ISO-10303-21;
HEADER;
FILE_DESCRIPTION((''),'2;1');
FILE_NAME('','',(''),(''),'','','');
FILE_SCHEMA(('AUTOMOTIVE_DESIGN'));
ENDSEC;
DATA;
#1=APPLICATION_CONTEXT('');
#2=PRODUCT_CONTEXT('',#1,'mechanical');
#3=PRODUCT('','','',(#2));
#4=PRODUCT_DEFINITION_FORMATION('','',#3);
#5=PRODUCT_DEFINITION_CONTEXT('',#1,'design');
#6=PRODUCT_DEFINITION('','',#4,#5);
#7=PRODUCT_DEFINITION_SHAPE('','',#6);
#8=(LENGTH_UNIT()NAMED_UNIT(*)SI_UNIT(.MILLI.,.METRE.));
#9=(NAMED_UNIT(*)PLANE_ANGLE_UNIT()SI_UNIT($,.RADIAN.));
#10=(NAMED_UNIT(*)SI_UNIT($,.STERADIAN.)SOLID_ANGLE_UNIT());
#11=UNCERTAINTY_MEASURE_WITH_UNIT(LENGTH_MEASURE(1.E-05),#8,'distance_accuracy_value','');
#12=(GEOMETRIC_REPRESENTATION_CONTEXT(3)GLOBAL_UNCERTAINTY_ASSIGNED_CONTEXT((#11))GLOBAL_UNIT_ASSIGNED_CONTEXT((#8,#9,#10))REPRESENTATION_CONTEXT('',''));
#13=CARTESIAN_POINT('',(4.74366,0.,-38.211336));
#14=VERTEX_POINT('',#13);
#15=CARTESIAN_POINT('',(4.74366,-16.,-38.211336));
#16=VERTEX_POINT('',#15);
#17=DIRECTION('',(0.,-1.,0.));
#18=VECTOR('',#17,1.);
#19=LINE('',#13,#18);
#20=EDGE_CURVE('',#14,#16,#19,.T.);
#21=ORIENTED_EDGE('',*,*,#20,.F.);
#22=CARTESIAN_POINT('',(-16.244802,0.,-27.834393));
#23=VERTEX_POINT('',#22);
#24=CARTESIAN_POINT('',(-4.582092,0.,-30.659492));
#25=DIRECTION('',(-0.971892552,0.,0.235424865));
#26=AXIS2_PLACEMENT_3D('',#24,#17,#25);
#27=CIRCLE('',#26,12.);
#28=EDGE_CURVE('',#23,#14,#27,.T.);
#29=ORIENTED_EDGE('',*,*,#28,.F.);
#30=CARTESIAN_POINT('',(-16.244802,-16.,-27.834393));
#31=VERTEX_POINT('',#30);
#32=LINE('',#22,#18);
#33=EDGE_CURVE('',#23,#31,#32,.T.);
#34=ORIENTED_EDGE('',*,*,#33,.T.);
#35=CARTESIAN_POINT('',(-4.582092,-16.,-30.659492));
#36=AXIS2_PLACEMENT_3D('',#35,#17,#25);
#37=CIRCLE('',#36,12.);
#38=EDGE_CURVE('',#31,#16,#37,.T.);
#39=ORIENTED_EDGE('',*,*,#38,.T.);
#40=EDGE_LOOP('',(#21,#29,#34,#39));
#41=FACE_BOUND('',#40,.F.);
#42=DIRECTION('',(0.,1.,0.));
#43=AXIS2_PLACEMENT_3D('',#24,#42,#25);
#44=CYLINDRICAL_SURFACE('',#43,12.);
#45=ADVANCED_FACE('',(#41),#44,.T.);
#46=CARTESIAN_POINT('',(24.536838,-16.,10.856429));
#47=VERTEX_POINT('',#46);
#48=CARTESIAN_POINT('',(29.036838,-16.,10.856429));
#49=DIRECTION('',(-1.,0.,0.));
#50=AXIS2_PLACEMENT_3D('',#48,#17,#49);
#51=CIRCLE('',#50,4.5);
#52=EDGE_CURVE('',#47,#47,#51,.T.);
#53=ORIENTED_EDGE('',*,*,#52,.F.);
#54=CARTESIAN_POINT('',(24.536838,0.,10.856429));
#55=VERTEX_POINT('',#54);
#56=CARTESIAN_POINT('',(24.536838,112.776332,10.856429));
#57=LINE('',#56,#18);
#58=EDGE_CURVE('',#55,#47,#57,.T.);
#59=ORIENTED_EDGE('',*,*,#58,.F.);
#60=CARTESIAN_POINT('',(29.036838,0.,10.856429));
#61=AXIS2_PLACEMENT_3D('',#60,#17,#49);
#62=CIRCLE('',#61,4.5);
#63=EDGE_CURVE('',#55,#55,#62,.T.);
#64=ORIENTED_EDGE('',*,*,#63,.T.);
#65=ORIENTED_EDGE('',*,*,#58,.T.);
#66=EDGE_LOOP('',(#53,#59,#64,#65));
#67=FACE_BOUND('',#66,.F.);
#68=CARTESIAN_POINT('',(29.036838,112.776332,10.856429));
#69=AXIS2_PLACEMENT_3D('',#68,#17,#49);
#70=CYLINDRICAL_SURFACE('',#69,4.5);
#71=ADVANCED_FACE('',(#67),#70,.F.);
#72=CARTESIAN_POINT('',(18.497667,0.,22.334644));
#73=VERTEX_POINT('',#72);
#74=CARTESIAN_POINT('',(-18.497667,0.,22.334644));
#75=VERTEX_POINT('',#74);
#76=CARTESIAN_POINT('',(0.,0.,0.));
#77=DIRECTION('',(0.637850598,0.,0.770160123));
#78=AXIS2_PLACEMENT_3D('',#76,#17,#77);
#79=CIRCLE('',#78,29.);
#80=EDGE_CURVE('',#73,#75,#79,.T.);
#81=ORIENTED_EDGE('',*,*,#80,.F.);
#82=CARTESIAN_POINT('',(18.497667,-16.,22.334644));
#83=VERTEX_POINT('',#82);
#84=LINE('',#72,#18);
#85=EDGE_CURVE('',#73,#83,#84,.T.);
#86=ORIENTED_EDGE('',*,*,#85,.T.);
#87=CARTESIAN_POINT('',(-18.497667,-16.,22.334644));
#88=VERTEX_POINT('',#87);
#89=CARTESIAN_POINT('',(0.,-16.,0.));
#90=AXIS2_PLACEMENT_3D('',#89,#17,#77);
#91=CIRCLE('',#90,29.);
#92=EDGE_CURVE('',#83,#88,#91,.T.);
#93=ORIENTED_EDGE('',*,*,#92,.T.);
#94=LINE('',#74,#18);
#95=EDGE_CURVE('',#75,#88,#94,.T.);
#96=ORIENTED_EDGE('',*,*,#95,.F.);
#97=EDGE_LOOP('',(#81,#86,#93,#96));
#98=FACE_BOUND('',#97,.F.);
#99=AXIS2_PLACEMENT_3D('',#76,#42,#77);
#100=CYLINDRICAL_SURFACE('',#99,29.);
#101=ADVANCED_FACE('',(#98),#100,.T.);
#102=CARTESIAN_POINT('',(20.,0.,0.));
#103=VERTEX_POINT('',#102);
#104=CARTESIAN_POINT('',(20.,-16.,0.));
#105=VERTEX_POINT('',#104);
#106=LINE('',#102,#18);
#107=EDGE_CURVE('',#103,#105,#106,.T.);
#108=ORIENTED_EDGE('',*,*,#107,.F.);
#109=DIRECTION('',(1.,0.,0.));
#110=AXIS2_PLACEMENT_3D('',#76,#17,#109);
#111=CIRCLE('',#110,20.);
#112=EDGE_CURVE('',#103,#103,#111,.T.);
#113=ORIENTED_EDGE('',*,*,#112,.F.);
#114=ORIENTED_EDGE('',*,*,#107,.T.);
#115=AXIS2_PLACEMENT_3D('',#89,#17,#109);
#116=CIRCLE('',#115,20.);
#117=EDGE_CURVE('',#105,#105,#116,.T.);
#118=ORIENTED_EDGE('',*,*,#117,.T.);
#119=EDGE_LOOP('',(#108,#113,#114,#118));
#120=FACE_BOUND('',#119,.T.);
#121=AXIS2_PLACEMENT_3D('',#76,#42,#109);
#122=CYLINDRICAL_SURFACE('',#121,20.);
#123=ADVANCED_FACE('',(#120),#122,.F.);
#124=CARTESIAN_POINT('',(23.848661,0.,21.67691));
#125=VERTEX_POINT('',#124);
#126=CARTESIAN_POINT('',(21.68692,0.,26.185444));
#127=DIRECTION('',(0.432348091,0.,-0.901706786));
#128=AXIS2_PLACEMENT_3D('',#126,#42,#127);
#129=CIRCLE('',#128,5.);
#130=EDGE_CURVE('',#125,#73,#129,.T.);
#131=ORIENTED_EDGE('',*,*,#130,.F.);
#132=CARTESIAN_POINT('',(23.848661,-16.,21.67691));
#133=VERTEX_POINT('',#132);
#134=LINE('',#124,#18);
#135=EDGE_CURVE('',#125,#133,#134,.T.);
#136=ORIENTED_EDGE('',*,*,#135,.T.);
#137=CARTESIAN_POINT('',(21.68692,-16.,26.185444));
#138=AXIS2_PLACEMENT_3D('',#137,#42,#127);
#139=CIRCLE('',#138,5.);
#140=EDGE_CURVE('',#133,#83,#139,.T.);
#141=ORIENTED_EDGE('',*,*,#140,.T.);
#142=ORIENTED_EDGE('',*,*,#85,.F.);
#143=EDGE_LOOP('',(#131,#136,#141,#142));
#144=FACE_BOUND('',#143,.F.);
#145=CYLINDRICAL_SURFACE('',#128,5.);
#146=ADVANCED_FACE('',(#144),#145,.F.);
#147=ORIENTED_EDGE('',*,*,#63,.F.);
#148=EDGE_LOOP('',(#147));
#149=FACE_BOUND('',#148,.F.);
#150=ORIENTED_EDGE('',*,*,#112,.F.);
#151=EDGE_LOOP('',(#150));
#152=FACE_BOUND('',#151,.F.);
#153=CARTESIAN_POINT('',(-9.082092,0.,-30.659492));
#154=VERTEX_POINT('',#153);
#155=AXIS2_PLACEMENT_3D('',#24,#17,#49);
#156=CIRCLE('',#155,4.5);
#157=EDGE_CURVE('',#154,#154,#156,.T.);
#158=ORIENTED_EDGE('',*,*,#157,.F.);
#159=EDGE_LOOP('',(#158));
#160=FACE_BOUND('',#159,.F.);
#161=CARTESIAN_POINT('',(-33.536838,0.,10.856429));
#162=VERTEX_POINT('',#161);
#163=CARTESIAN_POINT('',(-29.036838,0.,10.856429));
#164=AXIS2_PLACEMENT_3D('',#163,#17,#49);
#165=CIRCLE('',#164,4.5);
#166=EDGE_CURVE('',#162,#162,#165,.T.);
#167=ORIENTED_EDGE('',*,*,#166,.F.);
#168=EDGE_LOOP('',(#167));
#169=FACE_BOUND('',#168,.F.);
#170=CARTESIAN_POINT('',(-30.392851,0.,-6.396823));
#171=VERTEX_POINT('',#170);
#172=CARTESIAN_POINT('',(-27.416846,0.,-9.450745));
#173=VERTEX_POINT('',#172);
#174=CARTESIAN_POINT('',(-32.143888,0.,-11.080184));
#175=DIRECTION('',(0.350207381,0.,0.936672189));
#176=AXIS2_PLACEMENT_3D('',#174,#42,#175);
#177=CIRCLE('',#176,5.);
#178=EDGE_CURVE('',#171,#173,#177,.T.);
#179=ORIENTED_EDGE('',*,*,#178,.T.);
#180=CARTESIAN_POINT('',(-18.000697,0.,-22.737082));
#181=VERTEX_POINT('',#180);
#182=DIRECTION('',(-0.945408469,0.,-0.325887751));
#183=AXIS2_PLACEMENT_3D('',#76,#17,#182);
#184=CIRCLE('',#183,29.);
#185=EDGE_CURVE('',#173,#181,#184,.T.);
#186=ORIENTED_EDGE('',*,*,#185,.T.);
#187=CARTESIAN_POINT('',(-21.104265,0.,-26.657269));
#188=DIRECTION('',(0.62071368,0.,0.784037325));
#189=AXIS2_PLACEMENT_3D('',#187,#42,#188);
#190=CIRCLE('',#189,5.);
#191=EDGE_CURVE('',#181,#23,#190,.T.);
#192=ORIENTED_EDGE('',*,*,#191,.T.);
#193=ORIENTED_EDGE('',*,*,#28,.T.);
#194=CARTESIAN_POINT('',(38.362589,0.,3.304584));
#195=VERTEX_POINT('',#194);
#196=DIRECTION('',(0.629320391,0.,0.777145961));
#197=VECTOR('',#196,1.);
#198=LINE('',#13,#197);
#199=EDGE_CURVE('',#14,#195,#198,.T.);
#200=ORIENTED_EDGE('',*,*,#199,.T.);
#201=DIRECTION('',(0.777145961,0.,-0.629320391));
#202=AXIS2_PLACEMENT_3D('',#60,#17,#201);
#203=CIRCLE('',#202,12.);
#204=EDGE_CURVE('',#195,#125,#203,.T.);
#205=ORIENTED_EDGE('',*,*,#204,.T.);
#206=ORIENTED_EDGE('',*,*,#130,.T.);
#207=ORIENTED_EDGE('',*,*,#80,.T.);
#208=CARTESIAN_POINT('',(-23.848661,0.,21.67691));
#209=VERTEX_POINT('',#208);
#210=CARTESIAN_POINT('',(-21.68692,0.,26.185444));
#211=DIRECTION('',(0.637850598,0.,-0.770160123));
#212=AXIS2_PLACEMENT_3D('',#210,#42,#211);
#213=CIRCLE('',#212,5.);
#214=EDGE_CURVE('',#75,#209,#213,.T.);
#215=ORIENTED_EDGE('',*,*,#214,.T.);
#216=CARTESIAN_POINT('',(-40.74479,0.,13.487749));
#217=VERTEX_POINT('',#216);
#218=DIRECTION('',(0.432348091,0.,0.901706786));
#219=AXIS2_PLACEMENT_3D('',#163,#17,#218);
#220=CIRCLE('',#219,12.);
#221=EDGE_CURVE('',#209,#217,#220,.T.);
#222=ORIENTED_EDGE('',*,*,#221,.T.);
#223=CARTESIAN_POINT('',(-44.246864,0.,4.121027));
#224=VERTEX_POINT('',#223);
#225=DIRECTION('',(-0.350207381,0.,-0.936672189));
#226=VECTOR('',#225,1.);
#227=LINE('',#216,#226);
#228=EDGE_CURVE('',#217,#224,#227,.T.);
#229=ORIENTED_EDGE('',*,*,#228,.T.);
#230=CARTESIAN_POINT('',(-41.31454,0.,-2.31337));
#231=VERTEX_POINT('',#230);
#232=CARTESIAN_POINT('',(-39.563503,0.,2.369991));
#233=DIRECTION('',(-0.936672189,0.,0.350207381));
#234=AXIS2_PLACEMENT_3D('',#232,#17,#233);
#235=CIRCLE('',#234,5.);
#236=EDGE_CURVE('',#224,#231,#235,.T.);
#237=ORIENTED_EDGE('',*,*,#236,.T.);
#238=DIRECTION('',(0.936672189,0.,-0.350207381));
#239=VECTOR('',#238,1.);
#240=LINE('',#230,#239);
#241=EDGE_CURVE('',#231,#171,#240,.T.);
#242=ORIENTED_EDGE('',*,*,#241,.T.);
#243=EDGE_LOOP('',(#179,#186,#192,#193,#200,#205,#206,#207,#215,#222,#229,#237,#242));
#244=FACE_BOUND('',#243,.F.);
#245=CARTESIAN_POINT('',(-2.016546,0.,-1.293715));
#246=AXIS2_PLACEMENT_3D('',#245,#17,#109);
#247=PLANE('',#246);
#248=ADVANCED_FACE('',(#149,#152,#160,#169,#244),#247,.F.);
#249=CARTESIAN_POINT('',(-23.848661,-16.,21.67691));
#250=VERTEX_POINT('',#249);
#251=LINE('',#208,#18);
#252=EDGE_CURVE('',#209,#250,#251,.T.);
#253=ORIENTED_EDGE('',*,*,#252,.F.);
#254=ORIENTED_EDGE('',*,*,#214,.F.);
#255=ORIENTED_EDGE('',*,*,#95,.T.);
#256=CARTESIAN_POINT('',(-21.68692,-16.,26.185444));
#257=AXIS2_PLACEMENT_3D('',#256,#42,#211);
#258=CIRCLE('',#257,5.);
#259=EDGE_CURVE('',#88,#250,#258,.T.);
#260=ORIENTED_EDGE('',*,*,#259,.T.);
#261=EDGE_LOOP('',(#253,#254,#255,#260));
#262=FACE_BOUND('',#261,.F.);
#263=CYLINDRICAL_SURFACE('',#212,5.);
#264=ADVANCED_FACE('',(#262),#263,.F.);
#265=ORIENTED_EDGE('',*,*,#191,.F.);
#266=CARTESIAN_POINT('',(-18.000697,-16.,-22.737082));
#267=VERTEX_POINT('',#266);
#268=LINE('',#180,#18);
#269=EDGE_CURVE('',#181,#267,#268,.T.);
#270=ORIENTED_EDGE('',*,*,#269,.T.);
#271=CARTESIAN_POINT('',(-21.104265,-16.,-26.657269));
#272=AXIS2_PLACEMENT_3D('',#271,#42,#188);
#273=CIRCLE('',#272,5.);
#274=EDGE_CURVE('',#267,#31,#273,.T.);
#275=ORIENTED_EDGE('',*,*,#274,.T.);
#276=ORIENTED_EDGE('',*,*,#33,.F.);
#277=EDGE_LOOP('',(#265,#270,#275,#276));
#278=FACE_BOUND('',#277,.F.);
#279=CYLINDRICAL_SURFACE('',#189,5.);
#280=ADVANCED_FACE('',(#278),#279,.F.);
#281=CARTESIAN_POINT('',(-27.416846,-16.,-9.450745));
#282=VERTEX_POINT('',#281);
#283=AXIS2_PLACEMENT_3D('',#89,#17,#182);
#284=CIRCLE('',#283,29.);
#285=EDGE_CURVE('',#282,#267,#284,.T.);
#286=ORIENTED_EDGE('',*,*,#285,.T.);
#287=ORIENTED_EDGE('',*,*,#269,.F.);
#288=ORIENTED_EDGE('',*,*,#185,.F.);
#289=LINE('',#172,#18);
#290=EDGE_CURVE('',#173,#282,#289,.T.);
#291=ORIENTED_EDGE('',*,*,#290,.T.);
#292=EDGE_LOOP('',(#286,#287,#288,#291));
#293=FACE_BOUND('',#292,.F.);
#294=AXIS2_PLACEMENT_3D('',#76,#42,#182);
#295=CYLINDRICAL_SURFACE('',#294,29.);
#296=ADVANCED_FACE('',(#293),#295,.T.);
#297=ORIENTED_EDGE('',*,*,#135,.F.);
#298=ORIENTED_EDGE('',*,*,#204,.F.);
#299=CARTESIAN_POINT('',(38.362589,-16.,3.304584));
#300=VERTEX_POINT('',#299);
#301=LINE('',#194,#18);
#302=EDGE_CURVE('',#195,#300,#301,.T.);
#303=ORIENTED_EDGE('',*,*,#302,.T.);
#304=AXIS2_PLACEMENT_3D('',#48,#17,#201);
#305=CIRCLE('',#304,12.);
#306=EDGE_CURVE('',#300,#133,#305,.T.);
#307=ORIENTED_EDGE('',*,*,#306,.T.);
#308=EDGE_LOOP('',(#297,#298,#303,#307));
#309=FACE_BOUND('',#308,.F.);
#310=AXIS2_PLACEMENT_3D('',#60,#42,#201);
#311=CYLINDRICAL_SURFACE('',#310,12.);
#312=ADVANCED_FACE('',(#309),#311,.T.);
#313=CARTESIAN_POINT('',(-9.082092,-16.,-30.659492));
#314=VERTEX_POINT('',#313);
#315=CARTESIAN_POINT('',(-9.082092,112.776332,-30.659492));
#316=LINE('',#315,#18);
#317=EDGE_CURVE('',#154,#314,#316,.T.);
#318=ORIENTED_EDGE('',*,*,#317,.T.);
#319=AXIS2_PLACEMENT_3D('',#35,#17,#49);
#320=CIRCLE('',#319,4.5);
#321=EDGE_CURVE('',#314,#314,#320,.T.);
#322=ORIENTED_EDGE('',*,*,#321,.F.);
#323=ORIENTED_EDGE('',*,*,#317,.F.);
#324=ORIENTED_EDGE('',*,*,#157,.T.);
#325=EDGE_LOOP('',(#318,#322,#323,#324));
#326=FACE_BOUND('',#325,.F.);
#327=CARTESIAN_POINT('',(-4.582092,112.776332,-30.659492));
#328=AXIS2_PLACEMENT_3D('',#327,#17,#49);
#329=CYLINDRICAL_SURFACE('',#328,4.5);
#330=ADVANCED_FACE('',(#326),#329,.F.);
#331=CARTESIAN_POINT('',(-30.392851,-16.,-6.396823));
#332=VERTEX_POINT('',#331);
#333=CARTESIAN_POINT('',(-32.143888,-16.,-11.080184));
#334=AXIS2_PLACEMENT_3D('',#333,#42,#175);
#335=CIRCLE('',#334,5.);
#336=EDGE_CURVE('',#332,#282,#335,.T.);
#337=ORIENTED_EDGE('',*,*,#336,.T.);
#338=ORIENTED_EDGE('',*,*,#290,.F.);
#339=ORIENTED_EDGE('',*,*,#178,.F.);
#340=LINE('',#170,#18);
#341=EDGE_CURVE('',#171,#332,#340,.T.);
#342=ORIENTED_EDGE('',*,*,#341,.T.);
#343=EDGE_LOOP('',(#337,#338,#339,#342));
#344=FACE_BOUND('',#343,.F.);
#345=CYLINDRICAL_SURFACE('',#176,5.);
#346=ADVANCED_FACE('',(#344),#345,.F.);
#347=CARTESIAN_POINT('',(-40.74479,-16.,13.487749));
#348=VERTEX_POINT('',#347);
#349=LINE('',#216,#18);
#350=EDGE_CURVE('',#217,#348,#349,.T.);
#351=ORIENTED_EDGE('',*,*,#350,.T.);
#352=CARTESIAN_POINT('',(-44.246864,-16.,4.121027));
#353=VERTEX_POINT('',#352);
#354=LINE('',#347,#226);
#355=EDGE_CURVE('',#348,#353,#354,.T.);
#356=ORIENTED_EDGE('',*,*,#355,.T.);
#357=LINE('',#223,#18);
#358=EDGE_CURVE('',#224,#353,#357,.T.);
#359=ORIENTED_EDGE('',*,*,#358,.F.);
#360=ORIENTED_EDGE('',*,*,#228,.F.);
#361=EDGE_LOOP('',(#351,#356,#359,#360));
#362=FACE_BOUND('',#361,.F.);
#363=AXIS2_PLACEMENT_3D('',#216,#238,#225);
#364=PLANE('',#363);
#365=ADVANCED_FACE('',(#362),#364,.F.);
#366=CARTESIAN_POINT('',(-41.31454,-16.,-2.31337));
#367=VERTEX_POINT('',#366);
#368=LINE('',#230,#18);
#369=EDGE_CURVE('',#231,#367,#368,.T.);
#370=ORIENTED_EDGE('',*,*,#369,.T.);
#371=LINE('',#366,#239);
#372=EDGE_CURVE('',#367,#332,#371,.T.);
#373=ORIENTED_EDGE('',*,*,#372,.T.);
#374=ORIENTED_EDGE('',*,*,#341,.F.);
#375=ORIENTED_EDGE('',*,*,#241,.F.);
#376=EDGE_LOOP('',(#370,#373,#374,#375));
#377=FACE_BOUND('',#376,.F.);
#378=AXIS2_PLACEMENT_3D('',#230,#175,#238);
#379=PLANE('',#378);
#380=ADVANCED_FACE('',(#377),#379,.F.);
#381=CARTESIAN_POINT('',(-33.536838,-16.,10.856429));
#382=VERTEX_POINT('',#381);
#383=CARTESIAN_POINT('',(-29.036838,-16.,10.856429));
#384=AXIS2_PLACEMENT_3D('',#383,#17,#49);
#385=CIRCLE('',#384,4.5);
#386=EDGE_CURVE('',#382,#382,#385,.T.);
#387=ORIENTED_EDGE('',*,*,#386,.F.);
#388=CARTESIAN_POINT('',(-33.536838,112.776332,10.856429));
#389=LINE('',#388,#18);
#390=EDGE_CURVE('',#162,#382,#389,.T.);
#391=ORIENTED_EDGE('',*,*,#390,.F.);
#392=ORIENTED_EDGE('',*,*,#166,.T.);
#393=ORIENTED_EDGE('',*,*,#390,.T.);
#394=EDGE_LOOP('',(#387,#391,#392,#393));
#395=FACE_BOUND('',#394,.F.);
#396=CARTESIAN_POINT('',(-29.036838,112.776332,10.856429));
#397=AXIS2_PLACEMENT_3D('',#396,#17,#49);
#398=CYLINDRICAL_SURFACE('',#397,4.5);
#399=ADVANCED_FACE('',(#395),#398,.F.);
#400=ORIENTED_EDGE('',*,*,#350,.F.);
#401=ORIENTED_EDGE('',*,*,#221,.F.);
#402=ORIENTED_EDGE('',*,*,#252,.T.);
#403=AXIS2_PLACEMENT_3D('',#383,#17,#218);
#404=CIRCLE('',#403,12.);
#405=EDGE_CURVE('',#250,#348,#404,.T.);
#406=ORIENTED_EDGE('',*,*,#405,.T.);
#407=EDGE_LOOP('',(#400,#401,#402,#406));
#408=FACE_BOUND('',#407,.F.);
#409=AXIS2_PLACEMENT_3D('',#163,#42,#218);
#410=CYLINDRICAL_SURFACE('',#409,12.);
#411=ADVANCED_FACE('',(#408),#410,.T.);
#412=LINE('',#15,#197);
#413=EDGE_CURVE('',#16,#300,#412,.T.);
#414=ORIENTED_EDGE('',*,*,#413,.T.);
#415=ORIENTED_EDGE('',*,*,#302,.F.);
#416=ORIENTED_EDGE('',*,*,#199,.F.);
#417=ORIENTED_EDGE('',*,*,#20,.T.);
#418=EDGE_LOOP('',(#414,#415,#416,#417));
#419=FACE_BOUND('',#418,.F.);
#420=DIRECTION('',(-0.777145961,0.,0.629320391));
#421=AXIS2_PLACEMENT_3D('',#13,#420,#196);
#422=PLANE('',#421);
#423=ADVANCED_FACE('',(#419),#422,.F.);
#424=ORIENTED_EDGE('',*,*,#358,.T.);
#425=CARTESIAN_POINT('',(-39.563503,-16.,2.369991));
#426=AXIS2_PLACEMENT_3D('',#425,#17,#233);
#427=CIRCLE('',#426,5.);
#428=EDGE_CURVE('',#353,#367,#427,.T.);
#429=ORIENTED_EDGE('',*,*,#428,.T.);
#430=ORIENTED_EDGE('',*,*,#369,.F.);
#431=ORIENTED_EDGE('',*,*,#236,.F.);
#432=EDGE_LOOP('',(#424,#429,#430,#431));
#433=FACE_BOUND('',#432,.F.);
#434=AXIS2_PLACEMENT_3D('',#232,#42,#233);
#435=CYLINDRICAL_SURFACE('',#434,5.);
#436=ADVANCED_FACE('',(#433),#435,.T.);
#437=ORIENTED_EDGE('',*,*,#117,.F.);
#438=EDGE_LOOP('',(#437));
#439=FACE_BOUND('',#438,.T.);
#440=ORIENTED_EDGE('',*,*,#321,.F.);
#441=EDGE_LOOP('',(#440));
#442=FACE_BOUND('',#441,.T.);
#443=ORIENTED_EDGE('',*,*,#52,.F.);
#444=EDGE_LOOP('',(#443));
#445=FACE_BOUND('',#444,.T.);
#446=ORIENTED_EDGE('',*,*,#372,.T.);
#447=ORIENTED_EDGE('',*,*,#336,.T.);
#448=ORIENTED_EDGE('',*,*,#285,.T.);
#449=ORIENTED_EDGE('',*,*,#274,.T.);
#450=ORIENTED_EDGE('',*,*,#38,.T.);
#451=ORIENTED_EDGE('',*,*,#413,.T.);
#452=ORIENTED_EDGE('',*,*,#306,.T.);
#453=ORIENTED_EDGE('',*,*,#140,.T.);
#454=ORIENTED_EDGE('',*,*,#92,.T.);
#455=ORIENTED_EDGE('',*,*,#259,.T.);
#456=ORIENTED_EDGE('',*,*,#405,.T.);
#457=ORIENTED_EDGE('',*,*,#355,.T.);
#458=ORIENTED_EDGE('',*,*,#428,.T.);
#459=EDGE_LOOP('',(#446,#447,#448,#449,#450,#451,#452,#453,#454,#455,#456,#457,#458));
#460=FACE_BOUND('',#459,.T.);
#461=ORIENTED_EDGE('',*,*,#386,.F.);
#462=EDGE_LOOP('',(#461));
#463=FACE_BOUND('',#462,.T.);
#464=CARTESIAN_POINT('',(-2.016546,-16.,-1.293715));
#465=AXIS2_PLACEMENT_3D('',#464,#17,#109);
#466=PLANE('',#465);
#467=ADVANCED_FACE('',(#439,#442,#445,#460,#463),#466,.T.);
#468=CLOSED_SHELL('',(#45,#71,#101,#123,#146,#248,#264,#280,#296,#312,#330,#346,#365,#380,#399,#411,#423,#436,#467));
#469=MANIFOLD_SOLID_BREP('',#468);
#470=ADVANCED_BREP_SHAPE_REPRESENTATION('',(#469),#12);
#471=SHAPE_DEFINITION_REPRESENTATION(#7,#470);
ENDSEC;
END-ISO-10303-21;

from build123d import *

# Parameters (mm, degrees)
F0_R     = 20
F1_DEPTH = 16
F2_D     = 9


with BuildPart() as f1:
    # F0 (on Front) → F1 (new body)
    with BuildSketch(Plane.XZ):
        with BuildLine():
            ThreePointArc((-30.3928510428, -6.3968226045), (-28.562967972, -7.5906259687), (-27.4168456036, -9.4507447933))
            ThreePointArc((-27.4168456036, -9.4507447933), (-23.6605152057, -16.7684233069), (-18.0006967285, -22.7370824269))
            ThreePointArc((-18.0006967285, -22.7370824269), (-16.3768862519, -25.0288069118), (-16.2448023697, -27.8343933793))
            ThreePointArc((-16.2448023697, -27.8343933793), (-9.9005108102, -41.4165554271), (4.7436597925, -38.2113364568))
            Line((4.7436597925, -38.2113364568), (38.3625894042, 3.3045841264))
            ThreePointArc((38.3625894042, 3.3045841264), (38.4530723792, 18.2951469617), (23.8486607741, 21.6769102527))
            ThreePointArc((23.8486607741, 21.6769102527), (21.076921319, 21.222793559), (18.4976673308, 22.3346435682))
            ThreePointArc((18.4976673308, 22.3346435682), (0, 29), (-18.4976673308, 22.3346435682))
            ThreePointArc((-18.4976673308, 22.3346435682), (-21.076921319, 21.222793559), (-23.8486607741, 21.6769102527))
            ThreePointArc((-23.8486607741, 21.6769102527), (-34.2706182279, 21.6549260816), (-40.7447903835, 13.4877493741))
            Line((-40.7447903835, 13.4877493741), (-44.2468641961, 4.1210274816))
            ThreePointArc((-44.2468641961, 4.1210274816), (-44.1133096043, 0.296524362), (-41.3145401562, -2.3133703709))
            Line((-41.3145401562, -2.3133703709), (-30.3928510428, -6.3968226045))
        make_face()
        Circle(F0_R, mode=Mode.SUBTRACT)
    extrude(amount=F1_DEPTH)

    # F2 (through all)
    with Locations(Plane(origin=(0, 0, 0), x_dir=(1, 0, 0), z_dir=(0, 1, 0))):
        with Locations((29.0368378667, -10.856428819), (-29.0368378667, -10.856428819), (-4.582091745, 30.6594917642)):
            Hole(F2_D / 2)


solid = f1.part
